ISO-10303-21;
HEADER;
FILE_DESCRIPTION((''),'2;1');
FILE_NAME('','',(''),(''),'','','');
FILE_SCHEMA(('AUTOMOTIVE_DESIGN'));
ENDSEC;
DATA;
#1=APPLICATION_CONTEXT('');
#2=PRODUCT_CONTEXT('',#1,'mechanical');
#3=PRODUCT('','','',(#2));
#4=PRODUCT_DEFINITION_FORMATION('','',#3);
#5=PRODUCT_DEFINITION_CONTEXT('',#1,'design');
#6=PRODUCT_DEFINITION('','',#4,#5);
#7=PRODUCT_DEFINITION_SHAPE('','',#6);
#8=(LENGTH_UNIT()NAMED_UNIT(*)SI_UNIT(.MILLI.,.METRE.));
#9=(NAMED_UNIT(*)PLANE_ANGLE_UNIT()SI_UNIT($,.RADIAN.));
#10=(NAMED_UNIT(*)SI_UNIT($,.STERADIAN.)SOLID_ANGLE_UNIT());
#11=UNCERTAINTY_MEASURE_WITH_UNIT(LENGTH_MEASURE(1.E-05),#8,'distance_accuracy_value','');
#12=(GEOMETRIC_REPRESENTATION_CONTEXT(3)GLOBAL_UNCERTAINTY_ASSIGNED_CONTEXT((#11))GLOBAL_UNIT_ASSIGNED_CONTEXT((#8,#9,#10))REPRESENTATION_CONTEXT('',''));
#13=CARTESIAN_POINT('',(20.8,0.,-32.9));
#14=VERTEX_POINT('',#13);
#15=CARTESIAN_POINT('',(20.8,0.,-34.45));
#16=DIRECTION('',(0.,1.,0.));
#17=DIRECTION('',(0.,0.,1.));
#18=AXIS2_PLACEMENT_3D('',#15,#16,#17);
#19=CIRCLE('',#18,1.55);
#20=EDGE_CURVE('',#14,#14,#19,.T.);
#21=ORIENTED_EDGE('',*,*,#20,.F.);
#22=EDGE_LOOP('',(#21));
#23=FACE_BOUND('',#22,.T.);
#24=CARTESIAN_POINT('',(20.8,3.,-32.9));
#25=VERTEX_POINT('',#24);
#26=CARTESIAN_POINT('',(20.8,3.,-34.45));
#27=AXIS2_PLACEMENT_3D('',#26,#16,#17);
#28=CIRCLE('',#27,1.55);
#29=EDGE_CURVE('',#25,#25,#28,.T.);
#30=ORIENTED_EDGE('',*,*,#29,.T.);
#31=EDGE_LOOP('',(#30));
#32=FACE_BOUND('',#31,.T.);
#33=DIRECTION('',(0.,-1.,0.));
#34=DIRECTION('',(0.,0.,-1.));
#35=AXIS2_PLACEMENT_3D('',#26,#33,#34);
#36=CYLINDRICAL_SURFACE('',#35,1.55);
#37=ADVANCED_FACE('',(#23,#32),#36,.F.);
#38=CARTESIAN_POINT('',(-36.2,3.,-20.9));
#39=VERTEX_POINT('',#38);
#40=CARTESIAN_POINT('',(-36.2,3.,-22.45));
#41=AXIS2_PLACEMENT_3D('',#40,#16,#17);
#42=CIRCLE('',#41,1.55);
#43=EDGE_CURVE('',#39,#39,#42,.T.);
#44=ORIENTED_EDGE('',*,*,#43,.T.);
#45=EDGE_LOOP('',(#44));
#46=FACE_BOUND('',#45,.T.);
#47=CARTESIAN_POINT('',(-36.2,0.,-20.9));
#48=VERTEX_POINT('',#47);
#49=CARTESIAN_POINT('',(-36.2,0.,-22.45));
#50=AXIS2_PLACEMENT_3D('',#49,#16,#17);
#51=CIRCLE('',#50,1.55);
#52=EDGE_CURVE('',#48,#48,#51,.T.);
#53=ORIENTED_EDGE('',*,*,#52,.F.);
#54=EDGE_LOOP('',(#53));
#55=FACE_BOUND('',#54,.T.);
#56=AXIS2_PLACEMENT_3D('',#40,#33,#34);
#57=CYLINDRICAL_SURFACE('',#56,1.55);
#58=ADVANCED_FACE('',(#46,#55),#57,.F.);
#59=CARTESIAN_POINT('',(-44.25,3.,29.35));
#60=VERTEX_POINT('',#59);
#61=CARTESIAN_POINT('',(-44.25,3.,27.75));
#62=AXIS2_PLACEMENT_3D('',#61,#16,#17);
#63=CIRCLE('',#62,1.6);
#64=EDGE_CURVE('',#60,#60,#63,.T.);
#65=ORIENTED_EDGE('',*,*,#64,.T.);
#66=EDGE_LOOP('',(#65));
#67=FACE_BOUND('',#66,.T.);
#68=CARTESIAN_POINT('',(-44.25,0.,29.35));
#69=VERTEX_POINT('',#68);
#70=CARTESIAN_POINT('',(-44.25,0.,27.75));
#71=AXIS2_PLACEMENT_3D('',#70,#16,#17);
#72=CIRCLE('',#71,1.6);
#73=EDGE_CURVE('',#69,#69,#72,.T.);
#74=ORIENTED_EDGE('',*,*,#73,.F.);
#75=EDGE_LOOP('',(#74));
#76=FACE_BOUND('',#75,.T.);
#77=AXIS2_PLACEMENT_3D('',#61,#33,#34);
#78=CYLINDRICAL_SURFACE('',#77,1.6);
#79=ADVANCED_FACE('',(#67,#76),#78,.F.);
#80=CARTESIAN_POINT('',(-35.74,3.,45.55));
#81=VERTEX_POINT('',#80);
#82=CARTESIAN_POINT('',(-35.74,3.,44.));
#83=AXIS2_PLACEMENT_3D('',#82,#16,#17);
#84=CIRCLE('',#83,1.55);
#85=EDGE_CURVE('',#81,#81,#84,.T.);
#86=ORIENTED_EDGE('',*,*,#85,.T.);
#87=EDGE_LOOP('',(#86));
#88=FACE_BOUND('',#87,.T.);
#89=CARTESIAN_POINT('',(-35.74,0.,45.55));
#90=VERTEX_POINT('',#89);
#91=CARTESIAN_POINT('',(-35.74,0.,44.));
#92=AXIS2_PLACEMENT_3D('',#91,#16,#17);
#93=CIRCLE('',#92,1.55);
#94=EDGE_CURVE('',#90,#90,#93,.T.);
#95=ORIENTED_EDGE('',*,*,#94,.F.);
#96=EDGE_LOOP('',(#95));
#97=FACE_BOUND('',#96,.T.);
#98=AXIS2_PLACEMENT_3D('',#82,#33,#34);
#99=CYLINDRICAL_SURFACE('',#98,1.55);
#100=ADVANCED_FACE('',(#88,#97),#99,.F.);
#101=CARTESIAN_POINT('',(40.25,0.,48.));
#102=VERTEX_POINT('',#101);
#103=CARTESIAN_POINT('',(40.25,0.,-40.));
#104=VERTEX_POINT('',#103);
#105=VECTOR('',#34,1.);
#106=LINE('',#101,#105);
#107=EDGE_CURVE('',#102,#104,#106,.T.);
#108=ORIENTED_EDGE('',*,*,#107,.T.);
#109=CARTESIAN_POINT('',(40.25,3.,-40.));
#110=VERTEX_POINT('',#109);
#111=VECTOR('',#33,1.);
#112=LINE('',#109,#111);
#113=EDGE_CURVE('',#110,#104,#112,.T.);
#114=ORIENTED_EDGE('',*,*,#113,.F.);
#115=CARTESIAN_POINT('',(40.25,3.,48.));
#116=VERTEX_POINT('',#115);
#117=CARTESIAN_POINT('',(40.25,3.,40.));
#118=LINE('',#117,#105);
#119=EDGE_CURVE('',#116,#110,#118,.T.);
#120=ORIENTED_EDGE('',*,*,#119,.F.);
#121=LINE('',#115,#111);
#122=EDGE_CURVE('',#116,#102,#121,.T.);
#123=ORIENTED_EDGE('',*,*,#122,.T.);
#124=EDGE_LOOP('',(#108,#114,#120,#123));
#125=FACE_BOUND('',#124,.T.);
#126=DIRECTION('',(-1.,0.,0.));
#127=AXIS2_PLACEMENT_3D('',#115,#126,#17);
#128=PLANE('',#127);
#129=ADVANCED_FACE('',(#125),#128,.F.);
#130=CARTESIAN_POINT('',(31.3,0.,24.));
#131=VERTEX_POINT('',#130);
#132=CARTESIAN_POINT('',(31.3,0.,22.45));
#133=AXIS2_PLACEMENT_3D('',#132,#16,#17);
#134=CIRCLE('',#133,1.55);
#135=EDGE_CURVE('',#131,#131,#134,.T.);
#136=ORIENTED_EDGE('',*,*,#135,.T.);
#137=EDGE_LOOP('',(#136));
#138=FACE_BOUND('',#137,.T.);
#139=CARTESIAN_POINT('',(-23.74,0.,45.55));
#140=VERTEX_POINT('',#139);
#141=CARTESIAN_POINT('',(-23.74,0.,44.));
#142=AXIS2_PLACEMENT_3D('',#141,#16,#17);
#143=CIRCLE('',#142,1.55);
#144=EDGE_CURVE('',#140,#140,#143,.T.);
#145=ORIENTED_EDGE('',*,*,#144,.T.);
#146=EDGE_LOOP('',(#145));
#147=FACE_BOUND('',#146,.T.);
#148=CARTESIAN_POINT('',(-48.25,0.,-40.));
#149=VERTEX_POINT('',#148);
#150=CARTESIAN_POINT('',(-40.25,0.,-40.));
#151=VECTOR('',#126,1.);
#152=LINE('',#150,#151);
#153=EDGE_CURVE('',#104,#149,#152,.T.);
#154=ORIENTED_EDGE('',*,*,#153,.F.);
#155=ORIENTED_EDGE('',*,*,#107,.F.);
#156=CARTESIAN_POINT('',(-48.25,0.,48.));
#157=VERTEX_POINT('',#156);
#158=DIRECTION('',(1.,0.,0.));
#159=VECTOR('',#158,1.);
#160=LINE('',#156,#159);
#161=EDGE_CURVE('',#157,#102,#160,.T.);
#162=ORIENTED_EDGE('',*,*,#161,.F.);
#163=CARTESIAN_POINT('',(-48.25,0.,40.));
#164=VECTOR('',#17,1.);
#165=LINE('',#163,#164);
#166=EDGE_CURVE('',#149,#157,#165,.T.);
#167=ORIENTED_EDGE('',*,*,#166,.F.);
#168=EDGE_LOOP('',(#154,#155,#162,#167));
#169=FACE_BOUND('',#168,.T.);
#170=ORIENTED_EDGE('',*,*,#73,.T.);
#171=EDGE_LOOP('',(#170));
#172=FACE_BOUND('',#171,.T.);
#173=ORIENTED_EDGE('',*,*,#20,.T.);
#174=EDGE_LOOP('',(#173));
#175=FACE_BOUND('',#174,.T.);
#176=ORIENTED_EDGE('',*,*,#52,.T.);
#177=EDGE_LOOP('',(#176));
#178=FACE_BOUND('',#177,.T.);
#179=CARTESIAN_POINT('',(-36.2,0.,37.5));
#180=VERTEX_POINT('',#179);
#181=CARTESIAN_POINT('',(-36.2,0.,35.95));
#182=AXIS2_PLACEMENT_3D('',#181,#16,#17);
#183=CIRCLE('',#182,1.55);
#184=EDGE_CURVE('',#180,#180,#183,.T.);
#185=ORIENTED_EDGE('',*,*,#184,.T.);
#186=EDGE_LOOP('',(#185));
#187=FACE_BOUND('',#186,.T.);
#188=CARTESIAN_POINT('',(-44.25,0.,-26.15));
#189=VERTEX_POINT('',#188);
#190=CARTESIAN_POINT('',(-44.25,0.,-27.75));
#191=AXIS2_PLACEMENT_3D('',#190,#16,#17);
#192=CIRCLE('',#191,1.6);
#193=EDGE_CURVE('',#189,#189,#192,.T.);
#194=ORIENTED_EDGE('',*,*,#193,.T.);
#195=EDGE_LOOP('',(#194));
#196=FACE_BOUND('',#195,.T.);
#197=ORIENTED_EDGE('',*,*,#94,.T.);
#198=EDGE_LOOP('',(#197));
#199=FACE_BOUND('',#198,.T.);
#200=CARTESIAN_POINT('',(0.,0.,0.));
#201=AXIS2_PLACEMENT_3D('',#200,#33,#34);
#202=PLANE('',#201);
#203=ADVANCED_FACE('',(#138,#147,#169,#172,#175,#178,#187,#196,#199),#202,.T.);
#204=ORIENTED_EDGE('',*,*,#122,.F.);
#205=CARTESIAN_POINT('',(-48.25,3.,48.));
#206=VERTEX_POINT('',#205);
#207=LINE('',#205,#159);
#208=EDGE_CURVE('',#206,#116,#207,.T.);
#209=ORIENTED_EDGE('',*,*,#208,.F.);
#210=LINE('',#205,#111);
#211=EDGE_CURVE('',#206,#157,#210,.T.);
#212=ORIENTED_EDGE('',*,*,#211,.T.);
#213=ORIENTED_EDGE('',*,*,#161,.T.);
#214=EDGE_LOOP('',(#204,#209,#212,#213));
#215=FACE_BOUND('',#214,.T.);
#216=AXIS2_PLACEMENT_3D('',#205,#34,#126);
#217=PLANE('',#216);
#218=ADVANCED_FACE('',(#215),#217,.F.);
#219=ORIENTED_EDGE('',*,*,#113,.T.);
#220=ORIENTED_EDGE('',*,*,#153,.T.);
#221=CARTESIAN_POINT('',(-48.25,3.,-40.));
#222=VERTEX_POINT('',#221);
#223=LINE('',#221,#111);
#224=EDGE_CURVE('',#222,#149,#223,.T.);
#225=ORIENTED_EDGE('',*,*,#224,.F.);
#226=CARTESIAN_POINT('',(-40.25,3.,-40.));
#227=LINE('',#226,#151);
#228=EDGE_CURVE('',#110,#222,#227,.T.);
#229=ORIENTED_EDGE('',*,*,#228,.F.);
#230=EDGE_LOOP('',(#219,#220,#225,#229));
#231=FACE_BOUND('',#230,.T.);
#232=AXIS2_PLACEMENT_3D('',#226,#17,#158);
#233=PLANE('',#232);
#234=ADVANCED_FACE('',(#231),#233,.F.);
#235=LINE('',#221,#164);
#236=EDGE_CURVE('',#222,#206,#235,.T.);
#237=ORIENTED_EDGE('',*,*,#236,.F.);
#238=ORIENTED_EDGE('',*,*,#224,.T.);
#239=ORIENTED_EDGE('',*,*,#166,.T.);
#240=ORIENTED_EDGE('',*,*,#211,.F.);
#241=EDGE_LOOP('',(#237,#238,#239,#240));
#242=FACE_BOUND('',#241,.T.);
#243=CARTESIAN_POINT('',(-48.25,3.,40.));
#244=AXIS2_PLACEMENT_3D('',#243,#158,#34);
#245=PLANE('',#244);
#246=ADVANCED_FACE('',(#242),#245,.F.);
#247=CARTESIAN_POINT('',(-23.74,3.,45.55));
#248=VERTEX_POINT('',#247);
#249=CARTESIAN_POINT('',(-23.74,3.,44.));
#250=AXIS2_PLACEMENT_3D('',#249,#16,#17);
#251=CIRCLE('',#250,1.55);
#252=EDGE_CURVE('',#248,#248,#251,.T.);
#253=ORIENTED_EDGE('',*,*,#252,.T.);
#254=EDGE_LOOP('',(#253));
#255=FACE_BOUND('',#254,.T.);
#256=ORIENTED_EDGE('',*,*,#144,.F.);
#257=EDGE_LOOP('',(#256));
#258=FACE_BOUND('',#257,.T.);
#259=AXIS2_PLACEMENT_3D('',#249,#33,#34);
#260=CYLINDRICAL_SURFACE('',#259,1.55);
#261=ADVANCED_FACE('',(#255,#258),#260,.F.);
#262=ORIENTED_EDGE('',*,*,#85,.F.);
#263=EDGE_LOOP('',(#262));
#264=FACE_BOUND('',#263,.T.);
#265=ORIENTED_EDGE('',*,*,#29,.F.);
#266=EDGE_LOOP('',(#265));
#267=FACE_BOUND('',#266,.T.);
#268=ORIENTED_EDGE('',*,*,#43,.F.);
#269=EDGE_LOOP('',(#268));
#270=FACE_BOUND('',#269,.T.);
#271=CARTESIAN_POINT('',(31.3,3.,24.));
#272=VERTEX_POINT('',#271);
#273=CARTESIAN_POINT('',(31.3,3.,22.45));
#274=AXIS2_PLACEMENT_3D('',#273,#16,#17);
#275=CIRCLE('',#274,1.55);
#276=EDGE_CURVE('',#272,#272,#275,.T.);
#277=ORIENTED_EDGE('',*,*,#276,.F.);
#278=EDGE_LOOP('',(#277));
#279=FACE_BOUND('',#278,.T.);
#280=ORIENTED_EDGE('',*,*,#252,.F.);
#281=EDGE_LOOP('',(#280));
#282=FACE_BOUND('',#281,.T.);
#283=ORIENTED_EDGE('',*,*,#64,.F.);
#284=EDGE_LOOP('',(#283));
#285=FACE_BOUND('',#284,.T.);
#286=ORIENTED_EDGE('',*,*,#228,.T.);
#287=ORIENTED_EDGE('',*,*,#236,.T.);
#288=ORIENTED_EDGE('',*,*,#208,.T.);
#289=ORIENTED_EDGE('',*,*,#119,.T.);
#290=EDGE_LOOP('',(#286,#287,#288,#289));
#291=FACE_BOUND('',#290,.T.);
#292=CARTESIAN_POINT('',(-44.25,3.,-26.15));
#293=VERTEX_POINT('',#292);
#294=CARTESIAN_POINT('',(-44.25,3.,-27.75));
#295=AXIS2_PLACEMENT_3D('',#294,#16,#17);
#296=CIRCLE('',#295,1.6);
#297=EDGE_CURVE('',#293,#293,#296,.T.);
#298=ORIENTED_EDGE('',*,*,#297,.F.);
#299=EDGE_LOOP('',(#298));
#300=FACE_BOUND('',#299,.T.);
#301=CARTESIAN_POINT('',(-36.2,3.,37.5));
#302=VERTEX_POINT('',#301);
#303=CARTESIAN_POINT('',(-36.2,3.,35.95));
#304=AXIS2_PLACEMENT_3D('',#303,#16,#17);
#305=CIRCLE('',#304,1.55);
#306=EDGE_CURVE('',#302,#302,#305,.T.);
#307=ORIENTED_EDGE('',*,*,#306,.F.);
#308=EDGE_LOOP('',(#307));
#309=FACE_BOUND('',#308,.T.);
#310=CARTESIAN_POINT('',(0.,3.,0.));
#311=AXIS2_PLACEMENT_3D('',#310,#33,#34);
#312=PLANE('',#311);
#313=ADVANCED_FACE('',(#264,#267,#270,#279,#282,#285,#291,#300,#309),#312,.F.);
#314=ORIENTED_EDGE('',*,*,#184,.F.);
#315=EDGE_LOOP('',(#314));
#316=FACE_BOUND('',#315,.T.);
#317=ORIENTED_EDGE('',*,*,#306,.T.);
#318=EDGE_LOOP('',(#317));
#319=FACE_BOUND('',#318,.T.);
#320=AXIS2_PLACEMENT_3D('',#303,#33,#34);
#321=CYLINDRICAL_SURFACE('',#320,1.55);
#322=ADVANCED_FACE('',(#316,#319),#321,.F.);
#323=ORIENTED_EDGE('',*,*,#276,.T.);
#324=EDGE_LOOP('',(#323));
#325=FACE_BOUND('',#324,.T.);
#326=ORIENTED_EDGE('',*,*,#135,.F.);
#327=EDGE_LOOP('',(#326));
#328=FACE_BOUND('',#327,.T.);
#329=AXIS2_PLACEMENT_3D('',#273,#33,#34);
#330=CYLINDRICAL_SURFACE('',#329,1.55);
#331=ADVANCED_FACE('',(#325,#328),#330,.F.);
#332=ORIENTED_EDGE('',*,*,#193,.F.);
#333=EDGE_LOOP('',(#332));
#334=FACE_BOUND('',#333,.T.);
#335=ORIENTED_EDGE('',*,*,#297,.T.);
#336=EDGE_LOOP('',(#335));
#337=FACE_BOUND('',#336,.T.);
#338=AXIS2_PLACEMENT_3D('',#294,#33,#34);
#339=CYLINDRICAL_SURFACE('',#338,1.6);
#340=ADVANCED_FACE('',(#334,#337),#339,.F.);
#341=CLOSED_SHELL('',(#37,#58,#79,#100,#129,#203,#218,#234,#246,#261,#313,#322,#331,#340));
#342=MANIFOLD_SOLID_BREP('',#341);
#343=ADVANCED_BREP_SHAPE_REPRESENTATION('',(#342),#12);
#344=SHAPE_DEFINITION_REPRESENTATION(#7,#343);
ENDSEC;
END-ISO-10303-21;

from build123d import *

# Parameters (mm, degrees)
SKETCH1_R           = 1.55
SKETCH1_R_2         = 1.6
BOSS_EXTRUDE1_DEPTH = 3


with BuildPart() as part:
    # Sketch1 → Boss-Extrude1 (new body)
    with BuildSketch(Plane(origin=(0, 0, 0), x_dir=(1, 0, 0), z_dir=(0, 1, 0))):
        Polygon((-40.25, 40), (40.25, 40), (40.25, -40), (40.25, -48), (-48.25, -48), (-48.25, -40), (-48.25, 40), align=None)
        with Locations(Location((-36.2, -35.95, 0), (0, 0, 270))):
            Circle(SKETCH1_R, mode=Mode.SUBTRACT)
        with Locations(Location((-36.2, 22.45, 0), (0, 0, 270))):
            Circle(SKETCH1_R, mode=Mode.SUBTRACT)
        with Locations(Location((20.8, 34.45, 0), (0, 0, 270))):
            Circle(SKETCH1_R, mode=Mode.SUBTRACT)
        with Locations(Location((31.3, -22.45, 0), (0, 0, 270))):
            Circle(SKETCH1_R, mode=Mode.SUBTRACT)
        with Locations(Location((-44.25, 27.75, 0), (0, 0, 270))):
            Circle(SKETCH1_R_2, mode=Mode.SUBTRACT)
        with Locations(Location((-44.25, -27.75, 0), (0, 0, 270))):
            Circle(SKETCH1_R_2, mode=Mode.SUBTRACT)
        with Locations(Location((-35.74, -44, 0), (0, 0, 270))):
            Circle(SKETCH1_R, mode=Mode.SUBTRACT)
        with Locations(Location((-23.74, -44, 0), (0, 0, 270))):
            Circle(SKETCH1_R, mode=Mode.SUBTRACT)
    extrude(amount=BOSS_EXTRUDE1_DEPTH)


solid = part.part
